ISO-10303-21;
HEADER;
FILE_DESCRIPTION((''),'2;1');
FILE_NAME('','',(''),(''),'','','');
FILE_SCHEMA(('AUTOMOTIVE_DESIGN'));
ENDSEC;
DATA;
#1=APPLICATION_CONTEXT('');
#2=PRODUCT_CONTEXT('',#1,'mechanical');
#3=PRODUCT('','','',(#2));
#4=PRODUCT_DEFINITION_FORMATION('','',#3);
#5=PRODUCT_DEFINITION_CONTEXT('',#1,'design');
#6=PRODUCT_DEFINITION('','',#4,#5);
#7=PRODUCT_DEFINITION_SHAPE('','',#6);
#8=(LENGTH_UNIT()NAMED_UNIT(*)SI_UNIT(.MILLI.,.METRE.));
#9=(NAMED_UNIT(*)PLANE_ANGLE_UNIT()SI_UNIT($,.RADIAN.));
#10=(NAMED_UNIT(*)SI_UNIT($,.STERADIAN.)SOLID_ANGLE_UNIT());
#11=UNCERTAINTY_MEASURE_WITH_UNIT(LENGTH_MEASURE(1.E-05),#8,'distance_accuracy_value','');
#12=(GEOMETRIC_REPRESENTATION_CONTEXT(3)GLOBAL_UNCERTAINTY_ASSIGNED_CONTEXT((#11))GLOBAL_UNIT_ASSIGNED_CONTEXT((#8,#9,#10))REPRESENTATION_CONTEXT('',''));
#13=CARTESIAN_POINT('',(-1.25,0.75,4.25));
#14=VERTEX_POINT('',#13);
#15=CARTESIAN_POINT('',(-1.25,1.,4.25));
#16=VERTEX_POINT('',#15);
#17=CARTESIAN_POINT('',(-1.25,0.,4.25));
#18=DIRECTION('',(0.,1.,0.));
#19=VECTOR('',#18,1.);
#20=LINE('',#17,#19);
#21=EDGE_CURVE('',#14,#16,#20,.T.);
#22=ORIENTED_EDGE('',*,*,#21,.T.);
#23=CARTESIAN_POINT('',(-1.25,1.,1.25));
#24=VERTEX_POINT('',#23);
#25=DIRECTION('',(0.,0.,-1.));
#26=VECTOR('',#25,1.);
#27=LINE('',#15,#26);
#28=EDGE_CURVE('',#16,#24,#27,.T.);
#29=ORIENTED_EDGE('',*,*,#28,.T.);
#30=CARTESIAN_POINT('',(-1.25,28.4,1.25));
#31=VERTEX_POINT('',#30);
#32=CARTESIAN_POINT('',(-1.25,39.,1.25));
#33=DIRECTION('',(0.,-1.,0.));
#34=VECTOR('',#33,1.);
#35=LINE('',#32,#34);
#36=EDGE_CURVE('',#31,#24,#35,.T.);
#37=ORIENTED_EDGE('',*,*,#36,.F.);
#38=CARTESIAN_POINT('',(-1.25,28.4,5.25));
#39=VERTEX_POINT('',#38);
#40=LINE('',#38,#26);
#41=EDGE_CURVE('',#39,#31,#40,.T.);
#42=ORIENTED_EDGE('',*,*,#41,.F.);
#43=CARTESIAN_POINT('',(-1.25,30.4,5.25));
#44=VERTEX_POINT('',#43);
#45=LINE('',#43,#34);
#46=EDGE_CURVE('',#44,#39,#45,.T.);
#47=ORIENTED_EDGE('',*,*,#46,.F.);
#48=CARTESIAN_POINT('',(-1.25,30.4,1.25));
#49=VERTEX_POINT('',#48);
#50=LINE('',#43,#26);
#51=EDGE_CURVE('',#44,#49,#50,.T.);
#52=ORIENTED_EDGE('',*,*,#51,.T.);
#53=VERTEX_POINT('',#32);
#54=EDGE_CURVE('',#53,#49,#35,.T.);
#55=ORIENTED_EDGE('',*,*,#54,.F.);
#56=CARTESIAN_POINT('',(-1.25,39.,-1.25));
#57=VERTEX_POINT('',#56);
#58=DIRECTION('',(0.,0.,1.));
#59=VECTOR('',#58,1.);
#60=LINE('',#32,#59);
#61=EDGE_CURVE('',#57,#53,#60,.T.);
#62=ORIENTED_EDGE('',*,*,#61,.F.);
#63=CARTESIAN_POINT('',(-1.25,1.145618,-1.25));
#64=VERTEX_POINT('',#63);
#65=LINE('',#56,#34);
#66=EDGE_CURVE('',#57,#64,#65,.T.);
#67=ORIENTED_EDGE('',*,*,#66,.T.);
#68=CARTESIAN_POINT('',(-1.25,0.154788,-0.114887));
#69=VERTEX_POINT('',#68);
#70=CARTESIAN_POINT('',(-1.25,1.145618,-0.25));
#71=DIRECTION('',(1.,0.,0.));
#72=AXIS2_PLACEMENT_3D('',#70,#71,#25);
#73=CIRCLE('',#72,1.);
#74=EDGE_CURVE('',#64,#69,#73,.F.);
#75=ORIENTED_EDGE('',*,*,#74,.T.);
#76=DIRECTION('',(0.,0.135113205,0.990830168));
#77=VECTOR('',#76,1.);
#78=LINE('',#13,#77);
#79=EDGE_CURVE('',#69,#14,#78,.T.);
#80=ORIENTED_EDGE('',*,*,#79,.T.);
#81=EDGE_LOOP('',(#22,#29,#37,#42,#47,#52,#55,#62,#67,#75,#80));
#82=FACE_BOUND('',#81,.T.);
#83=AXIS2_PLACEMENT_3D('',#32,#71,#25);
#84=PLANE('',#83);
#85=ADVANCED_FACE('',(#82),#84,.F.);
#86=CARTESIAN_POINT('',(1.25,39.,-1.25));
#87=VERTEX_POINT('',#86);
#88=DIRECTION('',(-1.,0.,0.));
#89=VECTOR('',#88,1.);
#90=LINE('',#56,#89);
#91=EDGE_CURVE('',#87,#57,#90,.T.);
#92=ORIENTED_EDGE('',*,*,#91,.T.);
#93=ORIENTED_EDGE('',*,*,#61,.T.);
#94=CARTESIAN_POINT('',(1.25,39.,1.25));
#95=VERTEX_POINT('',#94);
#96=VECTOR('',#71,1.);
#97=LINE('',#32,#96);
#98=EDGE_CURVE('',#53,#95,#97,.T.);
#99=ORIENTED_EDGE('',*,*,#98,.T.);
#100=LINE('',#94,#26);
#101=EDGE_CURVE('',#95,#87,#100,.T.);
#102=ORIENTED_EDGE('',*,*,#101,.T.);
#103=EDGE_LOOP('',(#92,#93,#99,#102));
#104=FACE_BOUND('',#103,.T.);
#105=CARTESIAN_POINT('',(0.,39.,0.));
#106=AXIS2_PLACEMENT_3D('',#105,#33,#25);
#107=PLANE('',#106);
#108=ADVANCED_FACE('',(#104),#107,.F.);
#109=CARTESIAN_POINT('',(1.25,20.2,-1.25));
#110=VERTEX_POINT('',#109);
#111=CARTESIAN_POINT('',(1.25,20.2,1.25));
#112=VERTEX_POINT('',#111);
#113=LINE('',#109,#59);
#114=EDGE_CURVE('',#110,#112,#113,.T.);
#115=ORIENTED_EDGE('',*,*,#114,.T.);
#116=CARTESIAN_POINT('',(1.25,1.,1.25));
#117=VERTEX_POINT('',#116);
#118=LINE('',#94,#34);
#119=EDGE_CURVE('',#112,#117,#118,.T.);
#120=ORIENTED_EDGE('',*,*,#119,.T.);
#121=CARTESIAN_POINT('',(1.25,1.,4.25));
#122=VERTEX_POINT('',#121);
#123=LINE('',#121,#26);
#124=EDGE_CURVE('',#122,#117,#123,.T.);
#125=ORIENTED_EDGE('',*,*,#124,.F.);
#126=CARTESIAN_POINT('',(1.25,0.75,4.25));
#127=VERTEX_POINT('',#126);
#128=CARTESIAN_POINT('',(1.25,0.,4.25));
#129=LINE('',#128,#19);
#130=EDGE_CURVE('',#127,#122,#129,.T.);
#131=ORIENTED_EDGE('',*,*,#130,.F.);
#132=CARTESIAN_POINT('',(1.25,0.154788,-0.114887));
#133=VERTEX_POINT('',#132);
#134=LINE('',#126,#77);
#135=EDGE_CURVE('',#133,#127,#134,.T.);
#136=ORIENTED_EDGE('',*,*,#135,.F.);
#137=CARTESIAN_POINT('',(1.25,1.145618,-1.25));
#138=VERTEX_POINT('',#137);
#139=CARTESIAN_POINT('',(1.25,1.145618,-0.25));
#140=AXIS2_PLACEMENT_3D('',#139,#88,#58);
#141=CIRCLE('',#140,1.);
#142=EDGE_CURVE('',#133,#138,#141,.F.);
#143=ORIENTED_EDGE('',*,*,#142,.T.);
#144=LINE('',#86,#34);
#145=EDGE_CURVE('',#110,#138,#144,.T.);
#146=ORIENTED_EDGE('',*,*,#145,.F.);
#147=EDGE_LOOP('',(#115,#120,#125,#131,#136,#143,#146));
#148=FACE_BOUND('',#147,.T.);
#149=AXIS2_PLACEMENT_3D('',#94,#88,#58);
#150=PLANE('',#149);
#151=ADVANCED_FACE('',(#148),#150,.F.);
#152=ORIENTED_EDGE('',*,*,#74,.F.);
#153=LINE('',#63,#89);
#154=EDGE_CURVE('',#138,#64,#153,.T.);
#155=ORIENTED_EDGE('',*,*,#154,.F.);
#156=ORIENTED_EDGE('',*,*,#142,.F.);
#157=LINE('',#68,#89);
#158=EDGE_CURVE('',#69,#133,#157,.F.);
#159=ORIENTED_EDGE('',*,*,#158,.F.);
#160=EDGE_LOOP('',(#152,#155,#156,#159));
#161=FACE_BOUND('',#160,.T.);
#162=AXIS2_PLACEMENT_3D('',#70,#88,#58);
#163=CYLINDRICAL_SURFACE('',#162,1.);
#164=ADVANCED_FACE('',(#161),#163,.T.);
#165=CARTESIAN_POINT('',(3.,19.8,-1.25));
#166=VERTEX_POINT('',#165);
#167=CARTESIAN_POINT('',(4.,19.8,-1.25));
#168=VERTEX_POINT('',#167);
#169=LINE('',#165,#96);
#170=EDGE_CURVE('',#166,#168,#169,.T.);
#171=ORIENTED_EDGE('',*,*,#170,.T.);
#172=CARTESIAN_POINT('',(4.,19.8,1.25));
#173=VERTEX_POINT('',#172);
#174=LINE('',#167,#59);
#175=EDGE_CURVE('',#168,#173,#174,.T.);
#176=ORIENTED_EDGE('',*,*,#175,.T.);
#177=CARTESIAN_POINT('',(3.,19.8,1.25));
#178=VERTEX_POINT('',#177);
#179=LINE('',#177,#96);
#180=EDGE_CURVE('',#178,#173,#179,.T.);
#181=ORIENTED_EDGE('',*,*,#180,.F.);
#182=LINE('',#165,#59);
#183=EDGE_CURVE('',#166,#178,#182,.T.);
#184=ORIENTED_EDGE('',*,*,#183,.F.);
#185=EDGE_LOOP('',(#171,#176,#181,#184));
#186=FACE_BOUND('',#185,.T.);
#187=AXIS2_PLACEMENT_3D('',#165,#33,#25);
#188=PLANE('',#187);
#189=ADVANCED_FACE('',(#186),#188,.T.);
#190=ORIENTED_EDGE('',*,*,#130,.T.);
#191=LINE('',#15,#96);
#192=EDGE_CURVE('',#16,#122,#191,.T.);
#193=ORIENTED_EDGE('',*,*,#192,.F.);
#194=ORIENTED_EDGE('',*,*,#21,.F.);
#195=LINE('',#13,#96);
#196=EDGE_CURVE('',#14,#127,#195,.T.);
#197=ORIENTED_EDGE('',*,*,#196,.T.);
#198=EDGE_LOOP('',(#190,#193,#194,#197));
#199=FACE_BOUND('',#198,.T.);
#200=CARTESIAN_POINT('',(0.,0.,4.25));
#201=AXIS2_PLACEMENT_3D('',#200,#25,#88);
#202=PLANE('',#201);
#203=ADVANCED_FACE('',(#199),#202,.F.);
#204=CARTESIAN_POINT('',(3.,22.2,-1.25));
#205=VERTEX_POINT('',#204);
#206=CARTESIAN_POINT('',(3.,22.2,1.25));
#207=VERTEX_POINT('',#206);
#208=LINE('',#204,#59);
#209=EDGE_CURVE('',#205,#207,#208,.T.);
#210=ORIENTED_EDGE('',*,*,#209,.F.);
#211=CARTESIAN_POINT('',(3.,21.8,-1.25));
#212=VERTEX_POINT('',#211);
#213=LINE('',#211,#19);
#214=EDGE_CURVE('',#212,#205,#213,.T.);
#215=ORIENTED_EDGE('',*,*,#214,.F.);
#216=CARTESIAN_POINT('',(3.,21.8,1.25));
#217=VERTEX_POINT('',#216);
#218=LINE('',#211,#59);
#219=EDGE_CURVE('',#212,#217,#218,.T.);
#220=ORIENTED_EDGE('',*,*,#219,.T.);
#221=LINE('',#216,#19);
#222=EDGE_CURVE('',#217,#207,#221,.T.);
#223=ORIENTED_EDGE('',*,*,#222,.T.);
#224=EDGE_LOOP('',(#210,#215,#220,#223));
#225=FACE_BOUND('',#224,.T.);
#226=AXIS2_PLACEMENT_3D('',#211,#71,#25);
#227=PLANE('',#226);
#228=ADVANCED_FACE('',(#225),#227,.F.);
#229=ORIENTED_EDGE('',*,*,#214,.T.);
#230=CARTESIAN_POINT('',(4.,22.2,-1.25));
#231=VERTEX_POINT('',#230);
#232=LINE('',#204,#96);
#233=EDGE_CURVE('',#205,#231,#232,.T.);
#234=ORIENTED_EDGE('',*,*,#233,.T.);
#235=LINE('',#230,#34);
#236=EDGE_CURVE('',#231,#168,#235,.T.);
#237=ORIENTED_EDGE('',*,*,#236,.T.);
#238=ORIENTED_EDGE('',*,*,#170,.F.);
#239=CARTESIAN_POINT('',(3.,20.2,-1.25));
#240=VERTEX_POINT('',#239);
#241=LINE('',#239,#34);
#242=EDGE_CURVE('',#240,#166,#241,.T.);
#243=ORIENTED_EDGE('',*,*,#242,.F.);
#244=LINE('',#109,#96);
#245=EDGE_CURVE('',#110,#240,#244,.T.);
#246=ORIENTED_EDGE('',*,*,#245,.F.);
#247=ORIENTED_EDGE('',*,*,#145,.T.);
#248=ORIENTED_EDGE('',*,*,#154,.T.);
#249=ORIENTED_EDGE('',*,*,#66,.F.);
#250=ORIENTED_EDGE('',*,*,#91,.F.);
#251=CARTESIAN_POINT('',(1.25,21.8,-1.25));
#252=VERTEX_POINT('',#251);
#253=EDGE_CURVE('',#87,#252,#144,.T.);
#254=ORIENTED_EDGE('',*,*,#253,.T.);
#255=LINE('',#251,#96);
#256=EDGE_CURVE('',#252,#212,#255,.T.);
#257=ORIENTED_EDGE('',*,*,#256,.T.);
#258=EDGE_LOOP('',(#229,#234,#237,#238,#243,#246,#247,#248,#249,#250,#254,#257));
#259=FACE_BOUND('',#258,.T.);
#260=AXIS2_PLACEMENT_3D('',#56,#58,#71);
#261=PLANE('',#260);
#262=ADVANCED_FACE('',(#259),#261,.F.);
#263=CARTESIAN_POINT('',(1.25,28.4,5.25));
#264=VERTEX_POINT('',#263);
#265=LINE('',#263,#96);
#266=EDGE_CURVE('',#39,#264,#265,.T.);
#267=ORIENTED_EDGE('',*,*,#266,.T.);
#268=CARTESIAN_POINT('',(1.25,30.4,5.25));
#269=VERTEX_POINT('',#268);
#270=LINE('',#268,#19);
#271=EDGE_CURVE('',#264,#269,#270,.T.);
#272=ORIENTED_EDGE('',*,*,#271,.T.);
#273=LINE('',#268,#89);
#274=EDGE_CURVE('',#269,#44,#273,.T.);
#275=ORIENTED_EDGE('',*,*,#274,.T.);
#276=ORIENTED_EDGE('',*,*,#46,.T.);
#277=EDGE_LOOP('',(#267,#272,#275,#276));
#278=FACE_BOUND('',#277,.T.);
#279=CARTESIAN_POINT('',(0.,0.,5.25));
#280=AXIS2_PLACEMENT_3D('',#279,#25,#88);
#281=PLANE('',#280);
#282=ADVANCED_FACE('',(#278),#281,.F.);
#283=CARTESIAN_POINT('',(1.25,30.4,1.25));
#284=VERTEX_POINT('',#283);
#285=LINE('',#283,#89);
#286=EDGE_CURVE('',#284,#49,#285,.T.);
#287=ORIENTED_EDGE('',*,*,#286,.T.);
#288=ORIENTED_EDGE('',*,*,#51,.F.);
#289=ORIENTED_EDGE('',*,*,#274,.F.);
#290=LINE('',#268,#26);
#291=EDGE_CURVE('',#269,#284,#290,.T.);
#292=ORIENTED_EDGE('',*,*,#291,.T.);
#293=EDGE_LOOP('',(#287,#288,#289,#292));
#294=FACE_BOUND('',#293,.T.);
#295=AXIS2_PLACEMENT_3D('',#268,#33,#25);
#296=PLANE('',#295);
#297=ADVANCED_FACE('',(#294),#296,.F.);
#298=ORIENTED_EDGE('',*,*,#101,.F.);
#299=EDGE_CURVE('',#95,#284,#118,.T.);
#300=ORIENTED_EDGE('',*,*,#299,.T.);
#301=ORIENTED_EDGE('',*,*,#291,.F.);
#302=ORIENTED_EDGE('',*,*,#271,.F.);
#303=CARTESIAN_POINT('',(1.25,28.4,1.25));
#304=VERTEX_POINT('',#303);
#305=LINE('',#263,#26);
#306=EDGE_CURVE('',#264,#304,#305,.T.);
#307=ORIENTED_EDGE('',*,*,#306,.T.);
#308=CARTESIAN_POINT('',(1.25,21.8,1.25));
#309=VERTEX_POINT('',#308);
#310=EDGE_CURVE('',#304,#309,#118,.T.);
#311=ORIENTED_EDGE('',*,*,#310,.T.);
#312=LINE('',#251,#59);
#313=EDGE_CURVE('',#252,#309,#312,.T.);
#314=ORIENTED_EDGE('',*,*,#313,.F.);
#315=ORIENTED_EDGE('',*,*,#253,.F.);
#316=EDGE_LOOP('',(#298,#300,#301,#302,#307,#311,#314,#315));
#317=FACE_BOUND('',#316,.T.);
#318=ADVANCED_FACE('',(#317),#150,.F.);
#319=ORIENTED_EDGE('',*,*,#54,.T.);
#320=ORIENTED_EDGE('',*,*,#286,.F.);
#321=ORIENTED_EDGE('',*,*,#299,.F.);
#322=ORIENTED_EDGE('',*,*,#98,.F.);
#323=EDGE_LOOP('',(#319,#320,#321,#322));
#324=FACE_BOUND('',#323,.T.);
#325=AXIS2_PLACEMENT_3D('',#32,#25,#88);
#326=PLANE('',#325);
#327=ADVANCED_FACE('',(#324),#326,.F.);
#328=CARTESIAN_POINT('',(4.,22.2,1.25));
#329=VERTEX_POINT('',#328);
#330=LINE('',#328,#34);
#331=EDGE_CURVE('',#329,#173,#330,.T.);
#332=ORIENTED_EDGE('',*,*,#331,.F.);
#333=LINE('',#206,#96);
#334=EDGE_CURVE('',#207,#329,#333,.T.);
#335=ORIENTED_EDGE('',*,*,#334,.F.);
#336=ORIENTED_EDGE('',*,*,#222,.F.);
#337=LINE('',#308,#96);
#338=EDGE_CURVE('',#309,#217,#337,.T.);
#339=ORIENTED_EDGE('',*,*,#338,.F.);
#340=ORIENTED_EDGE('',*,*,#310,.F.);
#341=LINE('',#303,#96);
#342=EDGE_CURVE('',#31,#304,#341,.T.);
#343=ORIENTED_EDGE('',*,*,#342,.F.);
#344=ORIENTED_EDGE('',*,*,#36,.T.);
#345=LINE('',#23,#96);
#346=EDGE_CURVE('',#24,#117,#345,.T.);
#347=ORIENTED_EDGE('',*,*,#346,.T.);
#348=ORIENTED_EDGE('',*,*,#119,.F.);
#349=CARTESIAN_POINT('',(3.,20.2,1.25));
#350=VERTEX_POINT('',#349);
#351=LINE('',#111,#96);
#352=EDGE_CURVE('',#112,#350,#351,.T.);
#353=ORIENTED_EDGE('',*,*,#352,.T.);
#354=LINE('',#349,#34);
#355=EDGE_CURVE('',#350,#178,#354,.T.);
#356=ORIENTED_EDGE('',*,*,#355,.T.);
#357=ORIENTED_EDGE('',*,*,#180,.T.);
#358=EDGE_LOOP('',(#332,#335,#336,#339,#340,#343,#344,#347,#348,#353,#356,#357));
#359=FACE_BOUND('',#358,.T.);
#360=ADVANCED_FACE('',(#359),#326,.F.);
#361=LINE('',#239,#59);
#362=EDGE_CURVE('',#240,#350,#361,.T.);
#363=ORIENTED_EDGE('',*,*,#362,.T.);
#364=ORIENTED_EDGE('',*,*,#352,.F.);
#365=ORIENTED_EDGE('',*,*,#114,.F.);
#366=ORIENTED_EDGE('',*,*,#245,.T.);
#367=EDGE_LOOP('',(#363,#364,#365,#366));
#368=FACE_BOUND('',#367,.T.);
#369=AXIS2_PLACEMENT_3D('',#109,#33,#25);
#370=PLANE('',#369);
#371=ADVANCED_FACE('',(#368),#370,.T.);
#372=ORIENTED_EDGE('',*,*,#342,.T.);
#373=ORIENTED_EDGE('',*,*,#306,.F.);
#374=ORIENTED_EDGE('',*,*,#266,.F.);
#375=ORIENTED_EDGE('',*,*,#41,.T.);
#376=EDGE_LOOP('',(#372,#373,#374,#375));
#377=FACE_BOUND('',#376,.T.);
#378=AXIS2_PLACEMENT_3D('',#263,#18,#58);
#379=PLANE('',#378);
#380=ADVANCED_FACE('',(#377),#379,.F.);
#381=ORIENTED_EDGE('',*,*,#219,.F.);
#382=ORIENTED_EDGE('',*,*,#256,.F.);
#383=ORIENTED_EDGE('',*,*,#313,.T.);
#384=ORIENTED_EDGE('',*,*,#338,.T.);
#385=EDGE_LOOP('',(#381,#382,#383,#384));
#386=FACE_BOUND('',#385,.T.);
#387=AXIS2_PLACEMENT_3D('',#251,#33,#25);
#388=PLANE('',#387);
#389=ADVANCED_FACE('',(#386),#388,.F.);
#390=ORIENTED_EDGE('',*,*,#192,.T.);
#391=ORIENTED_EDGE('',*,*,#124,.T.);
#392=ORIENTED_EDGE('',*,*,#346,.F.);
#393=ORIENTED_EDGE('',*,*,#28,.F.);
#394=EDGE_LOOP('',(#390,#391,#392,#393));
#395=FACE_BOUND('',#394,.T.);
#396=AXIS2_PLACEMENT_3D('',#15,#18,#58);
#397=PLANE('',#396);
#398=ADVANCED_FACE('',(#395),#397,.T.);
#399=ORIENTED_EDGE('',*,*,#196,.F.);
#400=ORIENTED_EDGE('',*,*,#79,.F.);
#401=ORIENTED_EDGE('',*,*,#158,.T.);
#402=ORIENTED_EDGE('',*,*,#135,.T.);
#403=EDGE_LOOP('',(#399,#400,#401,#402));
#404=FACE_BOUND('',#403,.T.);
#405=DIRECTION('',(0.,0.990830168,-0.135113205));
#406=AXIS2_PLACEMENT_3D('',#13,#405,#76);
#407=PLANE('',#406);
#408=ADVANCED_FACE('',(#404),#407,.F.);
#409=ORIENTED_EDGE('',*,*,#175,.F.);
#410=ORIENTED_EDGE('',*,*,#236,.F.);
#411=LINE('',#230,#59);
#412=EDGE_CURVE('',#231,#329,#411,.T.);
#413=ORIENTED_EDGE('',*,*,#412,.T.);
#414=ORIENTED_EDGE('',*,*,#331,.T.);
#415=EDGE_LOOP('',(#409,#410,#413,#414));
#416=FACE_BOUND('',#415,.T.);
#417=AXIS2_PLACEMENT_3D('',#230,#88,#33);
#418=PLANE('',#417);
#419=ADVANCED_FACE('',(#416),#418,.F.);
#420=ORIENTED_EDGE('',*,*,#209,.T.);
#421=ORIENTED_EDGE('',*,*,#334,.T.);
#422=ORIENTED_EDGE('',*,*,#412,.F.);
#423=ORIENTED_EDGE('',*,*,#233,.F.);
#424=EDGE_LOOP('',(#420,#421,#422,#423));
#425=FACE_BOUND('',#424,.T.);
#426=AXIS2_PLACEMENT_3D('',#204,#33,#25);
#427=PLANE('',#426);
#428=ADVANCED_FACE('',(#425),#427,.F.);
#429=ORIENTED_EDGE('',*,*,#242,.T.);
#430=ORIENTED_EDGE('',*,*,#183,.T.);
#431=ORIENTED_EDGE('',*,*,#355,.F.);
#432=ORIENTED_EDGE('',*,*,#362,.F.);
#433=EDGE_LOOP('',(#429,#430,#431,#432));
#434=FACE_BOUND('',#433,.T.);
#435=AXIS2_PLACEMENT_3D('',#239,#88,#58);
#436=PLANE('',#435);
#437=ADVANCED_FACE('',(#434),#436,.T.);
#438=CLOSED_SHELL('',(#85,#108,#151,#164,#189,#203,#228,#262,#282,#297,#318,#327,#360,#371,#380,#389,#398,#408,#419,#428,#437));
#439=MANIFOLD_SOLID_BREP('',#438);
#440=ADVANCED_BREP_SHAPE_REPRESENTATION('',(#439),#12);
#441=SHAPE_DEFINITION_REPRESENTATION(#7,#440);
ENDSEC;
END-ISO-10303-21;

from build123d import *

# Parameters (mm, degrees)
SKETCH2_W           = 2.5
SKETCH2_H           = 2.5
BOSS_EXTRUDE1_DEPTH = 39
SKETCH3_W           = 2.5
SKETCH3_H           = 1
BOSS_EXTRUDE2_DEPTH = 3
CUT_EXTRUDE1_DEPTH  = 2.5
FILLET1_R           = 1
BOSS_EXTRUDE3_DEPTH = 2.5
SKETCH8_W           = 2.5
SKETCH8_H           = 2
BOSS_EXTRUDE4_DEPTH = 4


with BuildPart() as part:
    # Sketch2 → Boss-Extrude1 (new body)
    with BuildSketch(Plane(origin=(0, 0, 0), x_dir=(1, 0, 0), z_dir=(0, 1, 0))):
        Rectangle(SKETCH2_W, SKETCH2_H)
    extrude(amount=BOSS_EXTRUDE1_DEPTH)

    # Sketch3 → Boss-Extrude2 (add)
    with BuildSketch(Plane.XY.offset(1.25)):
        with Locations((0, 0.5)):
            Rectangle(SKETCH3_W, SKETCH3_H)
    extrude(amount=BOSS_EXTRUDE2_DEPTH)

    # Sketch4 → Cut-Extrude1 (cut)
    with BuildSketch(Plane(origin=(1.25, 0, 0), x_dir=(0, 0, -1), z_dir=(1, 0, 0))):
        Polygon((-4.25, 0), (-4.25, 0.75), (1.25, 0), align=None)
    extrude(amount=-CUT_EXTRUDE1_DEPTH, mode=Mode.SUBTRACT)

    # Fillet1
    fillet1_edges = [part.edges().sort_by_distance(p)[0] for p in [
        (0, 0, -1.25),
    ]]
    fillet(fillet1_edges, radius=FILLET1_R)

    # Sketch6 → Boss-Extrude3 (add)
    with BuildSketch(Plane.XY.offset(1.25)):
        Polygon((1.25, 20.2), (1.25, 21.8), (3, 21.8), (3, 22.2), (4, 22.2), (4, 19.8), (3, 19.8), (3, 20.2), align=None)
    extrude(amount=-BOSS_EXTRUDE3_DEPTH)

    # Sketch8 → Boss-Extrude4 (add)
    with BuildSketch(Plane.XY.offset(1.25)):
        with Locations((0, 29.4)):
            Rectangle(SKETCH8_W, SKETCH8_H)
    extrude(amount=BOSS_EXTRUDE4_DEPTH)


solid = part.part
